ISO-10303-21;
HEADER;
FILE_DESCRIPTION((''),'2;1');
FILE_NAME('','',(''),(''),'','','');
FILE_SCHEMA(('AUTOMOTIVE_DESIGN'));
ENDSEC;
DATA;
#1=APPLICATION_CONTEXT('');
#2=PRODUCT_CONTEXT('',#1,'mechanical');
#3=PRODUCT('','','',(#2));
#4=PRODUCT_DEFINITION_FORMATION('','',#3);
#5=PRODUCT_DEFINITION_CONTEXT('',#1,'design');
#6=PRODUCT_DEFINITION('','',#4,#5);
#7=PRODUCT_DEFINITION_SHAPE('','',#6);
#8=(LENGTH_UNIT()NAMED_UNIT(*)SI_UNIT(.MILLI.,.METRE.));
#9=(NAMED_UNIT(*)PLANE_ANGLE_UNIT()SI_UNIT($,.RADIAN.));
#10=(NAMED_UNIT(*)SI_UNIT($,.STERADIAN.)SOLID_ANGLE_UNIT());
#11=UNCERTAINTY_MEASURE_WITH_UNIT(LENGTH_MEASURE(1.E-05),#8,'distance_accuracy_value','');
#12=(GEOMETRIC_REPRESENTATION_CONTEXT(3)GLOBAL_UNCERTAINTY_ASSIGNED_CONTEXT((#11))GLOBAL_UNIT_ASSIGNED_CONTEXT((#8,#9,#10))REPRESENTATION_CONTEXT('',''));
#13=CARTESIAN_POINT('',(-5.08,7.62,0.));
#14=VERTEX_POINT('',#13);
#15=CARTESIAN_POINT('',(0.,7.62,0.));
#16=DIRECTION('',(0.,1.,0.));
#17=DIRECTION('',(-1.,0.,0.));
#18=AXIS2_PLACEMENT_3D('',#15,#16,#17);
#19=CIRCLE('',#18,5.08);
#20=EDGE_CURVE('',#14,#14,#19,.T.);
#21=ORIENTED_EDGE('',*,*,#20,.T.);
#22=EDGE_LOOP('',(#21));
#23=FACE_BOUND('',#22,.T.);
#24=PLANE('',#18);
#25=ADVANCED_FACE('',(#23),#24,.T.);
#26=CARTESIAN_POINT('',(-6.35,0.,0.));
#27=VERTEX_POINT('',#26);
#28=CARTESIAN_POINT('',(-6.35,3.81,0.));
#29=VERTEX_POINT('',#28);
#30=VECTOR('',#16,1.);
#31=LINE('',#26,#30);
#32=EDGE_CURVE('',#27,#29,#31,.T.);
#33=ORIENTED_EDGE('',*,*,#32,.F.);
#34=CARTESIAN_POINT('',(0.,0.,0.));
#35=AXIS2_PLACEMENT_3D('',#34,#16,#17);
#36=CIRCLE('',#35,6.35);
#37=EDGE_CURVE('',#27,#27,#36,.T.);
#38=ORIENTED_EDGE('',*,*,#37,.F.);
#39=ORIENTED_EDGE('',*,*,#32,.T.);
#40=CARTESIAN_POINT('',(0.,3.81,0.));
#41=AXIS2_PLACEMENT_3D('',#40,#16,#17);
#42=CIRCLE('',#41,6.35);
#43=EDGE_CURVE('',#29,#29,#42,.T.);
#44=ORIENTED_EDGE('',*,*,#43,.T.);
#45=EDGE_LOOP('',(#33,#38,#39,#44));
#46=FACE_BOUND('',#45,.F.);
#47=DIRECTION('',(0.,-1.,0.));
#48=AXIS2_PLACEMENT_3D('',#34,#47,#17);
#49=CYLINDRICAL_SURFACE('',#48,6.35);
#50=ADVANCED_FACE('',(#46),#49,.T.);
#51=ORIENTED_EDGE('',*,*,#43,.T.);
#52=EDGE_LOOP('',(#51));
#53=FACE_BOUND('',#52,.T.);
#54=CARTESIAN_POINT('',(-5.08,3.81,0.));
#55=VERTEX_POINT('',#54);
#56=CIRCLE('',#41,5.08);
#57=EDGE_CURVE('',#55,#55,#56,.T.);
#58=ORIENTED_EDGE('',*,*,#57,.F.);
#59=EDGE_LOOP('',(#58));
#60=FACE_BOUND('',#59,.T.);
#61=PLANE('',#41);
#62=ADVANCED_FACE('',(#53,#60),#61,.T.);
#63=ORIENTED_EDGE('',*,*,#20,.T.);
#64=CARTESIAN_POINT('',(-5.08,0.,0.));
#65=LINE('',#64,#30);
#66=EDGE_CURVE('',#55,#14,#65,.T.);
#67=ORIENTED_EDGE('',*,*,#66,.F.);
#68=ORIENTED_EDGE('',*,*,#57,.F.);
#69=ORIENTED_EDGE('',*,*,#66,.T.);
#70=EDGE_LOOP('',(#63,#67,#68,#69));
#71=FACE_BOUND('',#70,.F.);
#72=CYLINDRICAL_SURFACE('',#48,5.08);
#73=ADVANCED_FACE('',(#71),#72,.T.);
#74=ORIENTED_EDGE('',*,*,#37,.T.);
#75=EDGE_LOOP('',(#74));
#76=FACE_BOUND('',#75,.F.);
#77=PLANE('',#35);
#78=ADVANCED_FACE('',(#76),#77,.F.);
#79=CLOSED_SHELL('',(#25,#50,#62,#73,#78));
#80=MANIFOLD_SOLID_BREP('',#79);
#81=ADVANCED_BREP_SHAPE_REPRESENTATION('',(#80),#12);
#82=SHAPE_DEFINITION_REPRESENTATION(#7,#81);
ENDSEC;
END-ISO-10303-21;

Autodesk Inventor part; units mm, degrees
ref_plane "YZ Plane" through (0, 0, 0) normal (1, 0, 0) x (0, 1, 0)
ref_plane "XZ Plane" through (0, 0, 0) normal (0, 1, 0) x (-1, 0, 0)
ref_plane "XY Plane" through (0, 0, 0) normal (0, 0, 1) x (1, 0, 0)
sketch "Sketch1" plane through (0, 0, 0) normal (0, 1, 0) x (-1, 0, 0)
  circle A0 centre (0, 0) radius 5.08
  circle A1 centre (0, 0) radius 6.35
  dimension "d0" = 10.16
  dimension "d1" = 12.7
extrude "Extrusion1" add sketch "Sketch1" along normal blind 7.62 contours A0
extrude "Extrusion2" add sketch "Sketch1" along normal blind 3.81
properties part number "Speaker"
